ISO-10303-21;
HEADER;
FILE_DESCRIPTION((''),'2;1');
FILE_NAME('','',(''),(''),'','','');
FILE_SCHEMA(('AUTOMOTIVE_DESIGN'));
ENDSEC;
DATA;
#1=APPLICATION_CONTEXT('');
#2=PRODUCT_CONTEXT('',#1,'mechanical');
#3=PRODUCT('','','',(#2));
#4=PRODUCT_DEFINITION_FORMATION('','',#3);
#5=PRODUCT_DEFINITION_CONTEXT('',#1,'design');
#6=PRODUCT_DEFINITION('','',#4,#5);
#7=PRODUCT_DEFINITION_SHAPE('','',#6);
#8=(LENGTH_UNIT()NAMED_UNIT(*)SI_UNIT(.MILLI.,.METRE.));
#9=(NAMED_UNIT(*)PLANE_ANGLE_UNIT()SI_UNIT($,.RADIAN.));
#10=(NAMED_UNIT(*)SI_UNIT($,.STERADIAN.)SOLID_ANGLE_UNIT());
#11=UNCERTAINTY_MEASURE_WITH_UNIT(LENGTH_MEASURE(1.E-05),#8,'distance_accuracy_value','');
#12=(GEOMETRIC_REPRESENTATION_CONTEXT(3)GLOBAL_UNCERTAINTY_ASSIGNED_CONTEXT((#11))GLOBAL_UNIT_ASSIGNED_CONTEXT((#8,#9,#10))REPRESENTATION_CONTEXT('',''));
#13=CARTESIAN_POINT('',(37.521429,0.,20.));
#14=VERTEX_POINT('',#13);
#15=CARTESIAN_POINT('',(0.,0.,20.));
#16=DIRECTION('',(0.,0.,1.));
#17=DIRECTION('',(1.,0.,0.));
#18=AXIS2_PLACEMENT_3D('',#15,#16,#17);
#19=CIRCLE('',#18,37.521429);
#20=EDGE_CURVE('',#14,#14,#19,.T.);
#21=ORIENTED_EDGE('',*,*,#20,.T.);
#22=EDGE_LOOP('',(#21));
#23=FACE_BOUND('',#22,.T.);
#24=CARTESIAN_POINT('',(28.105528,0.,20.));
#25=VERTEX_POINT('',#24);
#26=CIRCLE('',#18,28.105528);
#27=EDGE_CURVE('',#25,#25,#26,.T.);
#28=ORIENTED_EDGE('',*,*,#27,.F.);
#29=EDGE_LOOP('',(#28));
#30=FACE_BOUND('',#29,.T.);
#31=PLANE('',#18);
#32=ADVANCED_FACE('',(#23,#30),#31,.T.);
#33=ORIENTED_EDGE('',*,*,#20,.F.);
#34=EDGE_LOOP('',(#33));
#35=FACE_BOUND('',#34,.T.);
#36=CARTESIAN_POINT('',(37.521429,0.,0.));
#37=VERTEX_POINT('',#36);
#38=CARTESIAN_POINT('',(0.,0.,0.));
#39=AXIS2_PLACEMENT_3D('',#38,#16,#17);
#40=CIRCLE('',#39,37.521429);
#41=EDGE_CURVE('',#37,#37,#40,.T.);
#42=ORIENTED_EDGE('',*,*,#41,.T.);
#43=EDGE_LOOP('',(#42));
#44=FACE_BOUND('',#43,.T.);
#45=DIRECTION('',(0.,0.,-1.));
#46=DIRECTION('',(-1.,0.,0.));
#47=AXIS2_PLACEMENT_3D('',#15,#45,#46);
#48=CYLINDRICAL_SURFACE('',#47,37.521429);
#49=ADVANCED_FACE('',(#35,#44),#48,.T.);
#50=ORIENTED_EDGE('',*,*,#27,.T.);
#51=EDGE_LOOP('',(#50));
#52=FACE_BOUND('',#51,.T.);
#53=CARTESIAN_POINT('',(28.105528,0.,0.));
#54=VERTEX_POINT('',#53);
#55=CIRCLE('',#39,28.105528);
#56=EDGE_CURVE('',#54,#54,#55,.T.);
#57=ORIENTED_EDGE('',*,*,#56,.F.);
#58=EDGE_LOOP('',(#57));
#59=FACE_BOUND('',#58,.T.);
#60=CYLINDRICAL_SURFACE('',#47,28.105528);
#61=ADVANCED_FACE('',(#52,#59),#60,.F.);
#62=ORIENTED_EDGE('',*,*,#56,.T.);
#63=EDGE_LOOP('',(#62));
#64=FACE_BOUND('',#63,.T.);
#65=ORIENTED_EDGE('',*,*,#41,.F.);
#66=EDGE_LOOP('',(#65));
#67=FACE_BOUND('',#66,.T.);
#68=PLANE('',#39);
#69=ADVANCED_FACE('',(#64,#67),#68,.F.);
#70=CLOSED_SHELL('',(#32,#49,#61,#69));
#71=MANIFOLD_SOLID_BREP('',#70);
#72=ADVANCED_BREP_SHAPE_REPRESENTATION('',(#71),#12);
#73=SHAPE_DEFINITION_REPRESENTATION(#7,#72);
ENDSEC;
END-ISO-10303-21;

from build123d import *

# Parameters (mm, degrees)
SKIZZE1_R                       = 37.521428571
SKIZZE1_R_2                     = 28.105528142
AUFSATZ_LINEAR_AUSTRAGEN1_DEPTH = 20


with BuildPart() as part:
    # Skizze1 → Aufsatz-Linear austragen1 (new body)
    with BuildSketch(Plane.XY):
        Circle(SKIZZE1_R)
        Circle(SKIZZE1_R_2, mode=Mode.SUBTRACT)
    extrude(amount=AUFSATZ_LINEAR_AUSTRAGEN1_DEPTH)


solid = part.part
